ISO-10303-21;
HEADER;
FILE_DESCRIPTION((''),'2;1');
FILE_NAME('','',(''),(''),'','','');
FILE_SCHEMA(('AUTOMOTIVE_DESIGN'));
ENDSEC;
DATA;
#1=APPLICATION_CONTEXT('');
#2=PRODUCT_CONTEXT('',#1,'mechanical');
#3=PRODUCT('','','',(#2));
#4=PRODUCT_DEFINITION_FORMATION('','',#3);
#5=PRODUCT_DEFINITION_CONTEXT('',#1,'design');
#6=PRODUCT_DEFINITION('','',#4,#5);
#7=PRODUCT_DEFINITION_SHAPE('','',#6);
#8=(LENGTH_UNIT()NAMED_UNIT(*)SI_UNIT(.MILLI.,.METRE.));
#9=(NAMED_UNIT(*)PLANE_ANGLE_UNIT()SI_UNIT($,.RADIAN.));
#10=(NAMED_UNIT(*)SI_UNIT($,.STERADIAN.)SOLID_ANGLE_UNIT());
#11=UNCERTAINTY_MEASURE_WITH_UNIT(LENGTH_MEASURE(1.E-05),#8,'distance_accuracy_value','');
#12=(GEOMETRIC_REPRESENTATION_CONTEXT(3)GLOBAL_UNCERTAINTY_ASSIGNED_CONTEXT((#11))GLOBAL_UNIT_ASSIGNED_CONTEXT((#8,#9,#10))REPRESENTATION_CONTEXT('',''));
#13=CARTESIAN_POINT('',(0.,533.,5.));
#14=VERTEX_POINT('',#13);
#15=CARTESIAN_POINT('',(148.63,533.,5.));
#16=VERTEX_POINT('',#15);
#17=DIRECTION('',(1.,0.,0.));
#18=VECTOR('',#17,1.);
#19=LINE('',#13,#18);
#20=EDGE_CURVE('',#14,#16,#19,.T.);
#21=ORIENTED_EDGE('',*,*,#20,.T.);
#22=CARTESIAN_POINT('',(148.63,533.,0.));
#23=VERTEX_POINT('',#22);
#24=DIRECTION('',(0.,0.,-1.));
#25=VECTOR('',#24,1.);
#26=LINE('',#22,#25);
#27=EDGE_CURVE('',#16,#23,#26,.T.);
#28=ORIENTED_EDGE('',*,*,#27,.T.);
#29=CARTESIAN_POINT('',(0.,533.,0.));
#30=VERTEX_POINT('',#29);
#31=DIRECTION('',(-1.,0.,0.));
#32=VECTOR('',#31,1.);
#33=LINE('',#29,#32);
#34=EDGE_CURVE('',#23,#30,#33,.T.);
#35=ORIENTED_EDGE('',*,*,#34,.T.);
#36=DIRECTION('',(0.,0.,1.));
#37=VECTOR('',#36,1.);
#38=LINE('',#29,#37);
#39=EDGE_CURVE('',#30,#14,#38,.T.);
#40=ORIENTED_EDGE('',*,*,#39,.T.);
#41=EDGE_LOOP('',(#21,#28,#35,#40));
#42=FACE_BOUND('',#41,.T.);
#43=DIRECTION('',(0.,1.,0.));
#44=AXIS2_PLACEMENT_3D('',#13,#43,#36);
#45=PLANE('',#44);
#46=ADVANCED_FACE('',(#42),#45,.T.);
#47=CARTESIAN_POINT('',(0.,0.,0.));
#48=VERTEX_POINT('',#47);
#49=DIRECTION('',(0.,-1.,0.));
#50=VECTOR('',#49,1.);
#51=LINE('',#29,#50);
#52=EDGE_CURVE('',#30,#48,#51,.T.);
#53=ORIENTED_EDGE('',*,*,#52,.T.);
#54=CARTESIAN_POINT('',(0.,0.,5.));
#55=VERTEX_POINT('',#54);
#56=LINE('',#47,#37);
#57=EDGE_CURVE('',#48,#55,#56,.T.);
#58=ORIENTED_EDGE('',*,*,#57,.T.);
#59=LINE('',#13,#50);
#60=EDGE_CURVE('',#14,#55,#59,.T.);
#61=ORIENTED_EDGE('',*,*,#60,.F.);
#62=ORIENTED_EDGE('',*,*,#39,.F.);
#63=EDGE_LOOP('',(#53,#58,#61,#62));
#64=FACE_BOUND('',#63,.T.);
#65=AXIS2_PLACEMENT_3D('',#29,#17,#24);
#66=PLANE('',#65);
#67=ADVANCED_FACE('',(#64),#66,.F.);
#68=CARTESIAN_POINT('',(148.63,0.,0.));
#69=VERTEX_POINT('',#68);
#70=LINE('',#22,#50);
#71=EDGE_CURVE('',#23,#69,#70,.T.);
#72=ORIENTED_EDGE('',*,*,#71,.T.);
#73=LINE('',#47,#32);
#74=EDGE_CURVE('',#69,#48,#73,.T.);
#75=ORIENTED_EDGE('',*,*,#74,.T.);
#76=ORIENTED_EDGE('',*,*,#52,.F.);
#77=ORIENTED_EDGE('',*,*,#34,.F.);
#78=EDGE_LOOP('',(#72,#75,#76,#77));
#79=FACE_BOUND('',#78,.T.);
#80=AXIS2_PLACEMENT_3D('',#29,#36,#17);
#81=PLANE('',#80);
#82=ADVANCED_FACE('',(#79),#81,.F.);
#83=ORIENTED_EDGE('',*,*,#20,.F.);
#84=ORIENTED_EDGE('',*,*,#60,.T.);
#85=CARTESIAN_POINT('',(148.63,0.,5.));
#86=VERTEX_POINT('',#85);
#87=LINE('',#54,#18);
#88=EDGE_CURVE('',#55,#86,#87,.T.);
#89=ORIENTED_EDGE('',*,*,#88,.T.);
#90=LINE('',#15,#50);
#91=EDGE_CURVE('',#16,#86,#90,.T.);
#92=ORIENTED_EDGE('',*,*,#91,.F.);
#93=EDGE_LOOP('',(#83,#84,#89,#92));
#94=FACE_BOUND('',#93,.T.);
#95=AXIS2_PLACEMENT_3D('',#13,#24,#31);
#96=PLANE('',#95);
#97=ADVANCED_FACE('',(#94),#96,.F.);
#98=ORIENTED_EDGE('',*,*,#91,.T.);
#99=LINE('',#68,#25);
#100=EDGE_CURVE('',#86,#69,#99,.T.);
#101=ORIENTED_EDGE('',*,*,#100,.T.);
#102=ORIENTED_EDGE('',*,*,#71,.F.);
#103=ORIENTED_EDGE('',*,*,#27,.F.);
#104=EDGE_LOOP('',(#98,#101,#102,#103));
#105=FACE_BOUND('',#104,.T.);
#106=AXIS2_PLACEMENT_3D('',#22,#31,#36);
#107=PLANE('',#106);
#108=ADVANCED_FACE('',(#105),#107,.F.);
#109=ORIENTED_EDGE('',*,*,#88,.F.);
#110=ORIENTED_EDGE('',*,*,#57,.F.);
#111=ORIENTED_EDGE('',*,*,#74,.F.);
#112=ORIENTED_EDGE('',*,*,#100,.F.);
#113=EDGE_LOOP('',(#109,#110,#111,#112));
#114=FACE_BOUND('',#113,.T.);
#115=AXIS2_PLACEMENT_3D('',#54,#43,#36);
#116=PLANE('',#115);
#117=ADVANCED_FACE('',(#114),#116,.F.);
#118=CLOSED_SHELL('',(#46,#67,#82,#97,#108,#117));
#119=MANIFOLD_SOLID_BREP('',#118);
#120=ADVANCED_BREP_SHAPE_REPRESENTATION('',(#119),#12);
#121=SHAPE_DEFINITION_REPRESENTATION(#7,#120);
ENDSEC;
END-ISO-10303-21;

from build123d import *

# Parameters (mm, degrees)
SKETCH_1_W      = 148.63
SKETCH_1_H      = 5
EXTRUDE_1_DEPTH = 533


with BuildPart() as part:
    # Эскиз1 → Вытянуть1 (new body)
    with BuildSketch(Plane(origin=(0, 0, 0), x_dir=(1, 0, 0), z_dir=(0, 1, 0))):
        with Locations((74.315, -2.5)):
            Rectangle(SKETCH_1_W, SKETCH_1_H)
    extrude(amount=EXTRUDE_1_DEPTH)


solid = part.part
